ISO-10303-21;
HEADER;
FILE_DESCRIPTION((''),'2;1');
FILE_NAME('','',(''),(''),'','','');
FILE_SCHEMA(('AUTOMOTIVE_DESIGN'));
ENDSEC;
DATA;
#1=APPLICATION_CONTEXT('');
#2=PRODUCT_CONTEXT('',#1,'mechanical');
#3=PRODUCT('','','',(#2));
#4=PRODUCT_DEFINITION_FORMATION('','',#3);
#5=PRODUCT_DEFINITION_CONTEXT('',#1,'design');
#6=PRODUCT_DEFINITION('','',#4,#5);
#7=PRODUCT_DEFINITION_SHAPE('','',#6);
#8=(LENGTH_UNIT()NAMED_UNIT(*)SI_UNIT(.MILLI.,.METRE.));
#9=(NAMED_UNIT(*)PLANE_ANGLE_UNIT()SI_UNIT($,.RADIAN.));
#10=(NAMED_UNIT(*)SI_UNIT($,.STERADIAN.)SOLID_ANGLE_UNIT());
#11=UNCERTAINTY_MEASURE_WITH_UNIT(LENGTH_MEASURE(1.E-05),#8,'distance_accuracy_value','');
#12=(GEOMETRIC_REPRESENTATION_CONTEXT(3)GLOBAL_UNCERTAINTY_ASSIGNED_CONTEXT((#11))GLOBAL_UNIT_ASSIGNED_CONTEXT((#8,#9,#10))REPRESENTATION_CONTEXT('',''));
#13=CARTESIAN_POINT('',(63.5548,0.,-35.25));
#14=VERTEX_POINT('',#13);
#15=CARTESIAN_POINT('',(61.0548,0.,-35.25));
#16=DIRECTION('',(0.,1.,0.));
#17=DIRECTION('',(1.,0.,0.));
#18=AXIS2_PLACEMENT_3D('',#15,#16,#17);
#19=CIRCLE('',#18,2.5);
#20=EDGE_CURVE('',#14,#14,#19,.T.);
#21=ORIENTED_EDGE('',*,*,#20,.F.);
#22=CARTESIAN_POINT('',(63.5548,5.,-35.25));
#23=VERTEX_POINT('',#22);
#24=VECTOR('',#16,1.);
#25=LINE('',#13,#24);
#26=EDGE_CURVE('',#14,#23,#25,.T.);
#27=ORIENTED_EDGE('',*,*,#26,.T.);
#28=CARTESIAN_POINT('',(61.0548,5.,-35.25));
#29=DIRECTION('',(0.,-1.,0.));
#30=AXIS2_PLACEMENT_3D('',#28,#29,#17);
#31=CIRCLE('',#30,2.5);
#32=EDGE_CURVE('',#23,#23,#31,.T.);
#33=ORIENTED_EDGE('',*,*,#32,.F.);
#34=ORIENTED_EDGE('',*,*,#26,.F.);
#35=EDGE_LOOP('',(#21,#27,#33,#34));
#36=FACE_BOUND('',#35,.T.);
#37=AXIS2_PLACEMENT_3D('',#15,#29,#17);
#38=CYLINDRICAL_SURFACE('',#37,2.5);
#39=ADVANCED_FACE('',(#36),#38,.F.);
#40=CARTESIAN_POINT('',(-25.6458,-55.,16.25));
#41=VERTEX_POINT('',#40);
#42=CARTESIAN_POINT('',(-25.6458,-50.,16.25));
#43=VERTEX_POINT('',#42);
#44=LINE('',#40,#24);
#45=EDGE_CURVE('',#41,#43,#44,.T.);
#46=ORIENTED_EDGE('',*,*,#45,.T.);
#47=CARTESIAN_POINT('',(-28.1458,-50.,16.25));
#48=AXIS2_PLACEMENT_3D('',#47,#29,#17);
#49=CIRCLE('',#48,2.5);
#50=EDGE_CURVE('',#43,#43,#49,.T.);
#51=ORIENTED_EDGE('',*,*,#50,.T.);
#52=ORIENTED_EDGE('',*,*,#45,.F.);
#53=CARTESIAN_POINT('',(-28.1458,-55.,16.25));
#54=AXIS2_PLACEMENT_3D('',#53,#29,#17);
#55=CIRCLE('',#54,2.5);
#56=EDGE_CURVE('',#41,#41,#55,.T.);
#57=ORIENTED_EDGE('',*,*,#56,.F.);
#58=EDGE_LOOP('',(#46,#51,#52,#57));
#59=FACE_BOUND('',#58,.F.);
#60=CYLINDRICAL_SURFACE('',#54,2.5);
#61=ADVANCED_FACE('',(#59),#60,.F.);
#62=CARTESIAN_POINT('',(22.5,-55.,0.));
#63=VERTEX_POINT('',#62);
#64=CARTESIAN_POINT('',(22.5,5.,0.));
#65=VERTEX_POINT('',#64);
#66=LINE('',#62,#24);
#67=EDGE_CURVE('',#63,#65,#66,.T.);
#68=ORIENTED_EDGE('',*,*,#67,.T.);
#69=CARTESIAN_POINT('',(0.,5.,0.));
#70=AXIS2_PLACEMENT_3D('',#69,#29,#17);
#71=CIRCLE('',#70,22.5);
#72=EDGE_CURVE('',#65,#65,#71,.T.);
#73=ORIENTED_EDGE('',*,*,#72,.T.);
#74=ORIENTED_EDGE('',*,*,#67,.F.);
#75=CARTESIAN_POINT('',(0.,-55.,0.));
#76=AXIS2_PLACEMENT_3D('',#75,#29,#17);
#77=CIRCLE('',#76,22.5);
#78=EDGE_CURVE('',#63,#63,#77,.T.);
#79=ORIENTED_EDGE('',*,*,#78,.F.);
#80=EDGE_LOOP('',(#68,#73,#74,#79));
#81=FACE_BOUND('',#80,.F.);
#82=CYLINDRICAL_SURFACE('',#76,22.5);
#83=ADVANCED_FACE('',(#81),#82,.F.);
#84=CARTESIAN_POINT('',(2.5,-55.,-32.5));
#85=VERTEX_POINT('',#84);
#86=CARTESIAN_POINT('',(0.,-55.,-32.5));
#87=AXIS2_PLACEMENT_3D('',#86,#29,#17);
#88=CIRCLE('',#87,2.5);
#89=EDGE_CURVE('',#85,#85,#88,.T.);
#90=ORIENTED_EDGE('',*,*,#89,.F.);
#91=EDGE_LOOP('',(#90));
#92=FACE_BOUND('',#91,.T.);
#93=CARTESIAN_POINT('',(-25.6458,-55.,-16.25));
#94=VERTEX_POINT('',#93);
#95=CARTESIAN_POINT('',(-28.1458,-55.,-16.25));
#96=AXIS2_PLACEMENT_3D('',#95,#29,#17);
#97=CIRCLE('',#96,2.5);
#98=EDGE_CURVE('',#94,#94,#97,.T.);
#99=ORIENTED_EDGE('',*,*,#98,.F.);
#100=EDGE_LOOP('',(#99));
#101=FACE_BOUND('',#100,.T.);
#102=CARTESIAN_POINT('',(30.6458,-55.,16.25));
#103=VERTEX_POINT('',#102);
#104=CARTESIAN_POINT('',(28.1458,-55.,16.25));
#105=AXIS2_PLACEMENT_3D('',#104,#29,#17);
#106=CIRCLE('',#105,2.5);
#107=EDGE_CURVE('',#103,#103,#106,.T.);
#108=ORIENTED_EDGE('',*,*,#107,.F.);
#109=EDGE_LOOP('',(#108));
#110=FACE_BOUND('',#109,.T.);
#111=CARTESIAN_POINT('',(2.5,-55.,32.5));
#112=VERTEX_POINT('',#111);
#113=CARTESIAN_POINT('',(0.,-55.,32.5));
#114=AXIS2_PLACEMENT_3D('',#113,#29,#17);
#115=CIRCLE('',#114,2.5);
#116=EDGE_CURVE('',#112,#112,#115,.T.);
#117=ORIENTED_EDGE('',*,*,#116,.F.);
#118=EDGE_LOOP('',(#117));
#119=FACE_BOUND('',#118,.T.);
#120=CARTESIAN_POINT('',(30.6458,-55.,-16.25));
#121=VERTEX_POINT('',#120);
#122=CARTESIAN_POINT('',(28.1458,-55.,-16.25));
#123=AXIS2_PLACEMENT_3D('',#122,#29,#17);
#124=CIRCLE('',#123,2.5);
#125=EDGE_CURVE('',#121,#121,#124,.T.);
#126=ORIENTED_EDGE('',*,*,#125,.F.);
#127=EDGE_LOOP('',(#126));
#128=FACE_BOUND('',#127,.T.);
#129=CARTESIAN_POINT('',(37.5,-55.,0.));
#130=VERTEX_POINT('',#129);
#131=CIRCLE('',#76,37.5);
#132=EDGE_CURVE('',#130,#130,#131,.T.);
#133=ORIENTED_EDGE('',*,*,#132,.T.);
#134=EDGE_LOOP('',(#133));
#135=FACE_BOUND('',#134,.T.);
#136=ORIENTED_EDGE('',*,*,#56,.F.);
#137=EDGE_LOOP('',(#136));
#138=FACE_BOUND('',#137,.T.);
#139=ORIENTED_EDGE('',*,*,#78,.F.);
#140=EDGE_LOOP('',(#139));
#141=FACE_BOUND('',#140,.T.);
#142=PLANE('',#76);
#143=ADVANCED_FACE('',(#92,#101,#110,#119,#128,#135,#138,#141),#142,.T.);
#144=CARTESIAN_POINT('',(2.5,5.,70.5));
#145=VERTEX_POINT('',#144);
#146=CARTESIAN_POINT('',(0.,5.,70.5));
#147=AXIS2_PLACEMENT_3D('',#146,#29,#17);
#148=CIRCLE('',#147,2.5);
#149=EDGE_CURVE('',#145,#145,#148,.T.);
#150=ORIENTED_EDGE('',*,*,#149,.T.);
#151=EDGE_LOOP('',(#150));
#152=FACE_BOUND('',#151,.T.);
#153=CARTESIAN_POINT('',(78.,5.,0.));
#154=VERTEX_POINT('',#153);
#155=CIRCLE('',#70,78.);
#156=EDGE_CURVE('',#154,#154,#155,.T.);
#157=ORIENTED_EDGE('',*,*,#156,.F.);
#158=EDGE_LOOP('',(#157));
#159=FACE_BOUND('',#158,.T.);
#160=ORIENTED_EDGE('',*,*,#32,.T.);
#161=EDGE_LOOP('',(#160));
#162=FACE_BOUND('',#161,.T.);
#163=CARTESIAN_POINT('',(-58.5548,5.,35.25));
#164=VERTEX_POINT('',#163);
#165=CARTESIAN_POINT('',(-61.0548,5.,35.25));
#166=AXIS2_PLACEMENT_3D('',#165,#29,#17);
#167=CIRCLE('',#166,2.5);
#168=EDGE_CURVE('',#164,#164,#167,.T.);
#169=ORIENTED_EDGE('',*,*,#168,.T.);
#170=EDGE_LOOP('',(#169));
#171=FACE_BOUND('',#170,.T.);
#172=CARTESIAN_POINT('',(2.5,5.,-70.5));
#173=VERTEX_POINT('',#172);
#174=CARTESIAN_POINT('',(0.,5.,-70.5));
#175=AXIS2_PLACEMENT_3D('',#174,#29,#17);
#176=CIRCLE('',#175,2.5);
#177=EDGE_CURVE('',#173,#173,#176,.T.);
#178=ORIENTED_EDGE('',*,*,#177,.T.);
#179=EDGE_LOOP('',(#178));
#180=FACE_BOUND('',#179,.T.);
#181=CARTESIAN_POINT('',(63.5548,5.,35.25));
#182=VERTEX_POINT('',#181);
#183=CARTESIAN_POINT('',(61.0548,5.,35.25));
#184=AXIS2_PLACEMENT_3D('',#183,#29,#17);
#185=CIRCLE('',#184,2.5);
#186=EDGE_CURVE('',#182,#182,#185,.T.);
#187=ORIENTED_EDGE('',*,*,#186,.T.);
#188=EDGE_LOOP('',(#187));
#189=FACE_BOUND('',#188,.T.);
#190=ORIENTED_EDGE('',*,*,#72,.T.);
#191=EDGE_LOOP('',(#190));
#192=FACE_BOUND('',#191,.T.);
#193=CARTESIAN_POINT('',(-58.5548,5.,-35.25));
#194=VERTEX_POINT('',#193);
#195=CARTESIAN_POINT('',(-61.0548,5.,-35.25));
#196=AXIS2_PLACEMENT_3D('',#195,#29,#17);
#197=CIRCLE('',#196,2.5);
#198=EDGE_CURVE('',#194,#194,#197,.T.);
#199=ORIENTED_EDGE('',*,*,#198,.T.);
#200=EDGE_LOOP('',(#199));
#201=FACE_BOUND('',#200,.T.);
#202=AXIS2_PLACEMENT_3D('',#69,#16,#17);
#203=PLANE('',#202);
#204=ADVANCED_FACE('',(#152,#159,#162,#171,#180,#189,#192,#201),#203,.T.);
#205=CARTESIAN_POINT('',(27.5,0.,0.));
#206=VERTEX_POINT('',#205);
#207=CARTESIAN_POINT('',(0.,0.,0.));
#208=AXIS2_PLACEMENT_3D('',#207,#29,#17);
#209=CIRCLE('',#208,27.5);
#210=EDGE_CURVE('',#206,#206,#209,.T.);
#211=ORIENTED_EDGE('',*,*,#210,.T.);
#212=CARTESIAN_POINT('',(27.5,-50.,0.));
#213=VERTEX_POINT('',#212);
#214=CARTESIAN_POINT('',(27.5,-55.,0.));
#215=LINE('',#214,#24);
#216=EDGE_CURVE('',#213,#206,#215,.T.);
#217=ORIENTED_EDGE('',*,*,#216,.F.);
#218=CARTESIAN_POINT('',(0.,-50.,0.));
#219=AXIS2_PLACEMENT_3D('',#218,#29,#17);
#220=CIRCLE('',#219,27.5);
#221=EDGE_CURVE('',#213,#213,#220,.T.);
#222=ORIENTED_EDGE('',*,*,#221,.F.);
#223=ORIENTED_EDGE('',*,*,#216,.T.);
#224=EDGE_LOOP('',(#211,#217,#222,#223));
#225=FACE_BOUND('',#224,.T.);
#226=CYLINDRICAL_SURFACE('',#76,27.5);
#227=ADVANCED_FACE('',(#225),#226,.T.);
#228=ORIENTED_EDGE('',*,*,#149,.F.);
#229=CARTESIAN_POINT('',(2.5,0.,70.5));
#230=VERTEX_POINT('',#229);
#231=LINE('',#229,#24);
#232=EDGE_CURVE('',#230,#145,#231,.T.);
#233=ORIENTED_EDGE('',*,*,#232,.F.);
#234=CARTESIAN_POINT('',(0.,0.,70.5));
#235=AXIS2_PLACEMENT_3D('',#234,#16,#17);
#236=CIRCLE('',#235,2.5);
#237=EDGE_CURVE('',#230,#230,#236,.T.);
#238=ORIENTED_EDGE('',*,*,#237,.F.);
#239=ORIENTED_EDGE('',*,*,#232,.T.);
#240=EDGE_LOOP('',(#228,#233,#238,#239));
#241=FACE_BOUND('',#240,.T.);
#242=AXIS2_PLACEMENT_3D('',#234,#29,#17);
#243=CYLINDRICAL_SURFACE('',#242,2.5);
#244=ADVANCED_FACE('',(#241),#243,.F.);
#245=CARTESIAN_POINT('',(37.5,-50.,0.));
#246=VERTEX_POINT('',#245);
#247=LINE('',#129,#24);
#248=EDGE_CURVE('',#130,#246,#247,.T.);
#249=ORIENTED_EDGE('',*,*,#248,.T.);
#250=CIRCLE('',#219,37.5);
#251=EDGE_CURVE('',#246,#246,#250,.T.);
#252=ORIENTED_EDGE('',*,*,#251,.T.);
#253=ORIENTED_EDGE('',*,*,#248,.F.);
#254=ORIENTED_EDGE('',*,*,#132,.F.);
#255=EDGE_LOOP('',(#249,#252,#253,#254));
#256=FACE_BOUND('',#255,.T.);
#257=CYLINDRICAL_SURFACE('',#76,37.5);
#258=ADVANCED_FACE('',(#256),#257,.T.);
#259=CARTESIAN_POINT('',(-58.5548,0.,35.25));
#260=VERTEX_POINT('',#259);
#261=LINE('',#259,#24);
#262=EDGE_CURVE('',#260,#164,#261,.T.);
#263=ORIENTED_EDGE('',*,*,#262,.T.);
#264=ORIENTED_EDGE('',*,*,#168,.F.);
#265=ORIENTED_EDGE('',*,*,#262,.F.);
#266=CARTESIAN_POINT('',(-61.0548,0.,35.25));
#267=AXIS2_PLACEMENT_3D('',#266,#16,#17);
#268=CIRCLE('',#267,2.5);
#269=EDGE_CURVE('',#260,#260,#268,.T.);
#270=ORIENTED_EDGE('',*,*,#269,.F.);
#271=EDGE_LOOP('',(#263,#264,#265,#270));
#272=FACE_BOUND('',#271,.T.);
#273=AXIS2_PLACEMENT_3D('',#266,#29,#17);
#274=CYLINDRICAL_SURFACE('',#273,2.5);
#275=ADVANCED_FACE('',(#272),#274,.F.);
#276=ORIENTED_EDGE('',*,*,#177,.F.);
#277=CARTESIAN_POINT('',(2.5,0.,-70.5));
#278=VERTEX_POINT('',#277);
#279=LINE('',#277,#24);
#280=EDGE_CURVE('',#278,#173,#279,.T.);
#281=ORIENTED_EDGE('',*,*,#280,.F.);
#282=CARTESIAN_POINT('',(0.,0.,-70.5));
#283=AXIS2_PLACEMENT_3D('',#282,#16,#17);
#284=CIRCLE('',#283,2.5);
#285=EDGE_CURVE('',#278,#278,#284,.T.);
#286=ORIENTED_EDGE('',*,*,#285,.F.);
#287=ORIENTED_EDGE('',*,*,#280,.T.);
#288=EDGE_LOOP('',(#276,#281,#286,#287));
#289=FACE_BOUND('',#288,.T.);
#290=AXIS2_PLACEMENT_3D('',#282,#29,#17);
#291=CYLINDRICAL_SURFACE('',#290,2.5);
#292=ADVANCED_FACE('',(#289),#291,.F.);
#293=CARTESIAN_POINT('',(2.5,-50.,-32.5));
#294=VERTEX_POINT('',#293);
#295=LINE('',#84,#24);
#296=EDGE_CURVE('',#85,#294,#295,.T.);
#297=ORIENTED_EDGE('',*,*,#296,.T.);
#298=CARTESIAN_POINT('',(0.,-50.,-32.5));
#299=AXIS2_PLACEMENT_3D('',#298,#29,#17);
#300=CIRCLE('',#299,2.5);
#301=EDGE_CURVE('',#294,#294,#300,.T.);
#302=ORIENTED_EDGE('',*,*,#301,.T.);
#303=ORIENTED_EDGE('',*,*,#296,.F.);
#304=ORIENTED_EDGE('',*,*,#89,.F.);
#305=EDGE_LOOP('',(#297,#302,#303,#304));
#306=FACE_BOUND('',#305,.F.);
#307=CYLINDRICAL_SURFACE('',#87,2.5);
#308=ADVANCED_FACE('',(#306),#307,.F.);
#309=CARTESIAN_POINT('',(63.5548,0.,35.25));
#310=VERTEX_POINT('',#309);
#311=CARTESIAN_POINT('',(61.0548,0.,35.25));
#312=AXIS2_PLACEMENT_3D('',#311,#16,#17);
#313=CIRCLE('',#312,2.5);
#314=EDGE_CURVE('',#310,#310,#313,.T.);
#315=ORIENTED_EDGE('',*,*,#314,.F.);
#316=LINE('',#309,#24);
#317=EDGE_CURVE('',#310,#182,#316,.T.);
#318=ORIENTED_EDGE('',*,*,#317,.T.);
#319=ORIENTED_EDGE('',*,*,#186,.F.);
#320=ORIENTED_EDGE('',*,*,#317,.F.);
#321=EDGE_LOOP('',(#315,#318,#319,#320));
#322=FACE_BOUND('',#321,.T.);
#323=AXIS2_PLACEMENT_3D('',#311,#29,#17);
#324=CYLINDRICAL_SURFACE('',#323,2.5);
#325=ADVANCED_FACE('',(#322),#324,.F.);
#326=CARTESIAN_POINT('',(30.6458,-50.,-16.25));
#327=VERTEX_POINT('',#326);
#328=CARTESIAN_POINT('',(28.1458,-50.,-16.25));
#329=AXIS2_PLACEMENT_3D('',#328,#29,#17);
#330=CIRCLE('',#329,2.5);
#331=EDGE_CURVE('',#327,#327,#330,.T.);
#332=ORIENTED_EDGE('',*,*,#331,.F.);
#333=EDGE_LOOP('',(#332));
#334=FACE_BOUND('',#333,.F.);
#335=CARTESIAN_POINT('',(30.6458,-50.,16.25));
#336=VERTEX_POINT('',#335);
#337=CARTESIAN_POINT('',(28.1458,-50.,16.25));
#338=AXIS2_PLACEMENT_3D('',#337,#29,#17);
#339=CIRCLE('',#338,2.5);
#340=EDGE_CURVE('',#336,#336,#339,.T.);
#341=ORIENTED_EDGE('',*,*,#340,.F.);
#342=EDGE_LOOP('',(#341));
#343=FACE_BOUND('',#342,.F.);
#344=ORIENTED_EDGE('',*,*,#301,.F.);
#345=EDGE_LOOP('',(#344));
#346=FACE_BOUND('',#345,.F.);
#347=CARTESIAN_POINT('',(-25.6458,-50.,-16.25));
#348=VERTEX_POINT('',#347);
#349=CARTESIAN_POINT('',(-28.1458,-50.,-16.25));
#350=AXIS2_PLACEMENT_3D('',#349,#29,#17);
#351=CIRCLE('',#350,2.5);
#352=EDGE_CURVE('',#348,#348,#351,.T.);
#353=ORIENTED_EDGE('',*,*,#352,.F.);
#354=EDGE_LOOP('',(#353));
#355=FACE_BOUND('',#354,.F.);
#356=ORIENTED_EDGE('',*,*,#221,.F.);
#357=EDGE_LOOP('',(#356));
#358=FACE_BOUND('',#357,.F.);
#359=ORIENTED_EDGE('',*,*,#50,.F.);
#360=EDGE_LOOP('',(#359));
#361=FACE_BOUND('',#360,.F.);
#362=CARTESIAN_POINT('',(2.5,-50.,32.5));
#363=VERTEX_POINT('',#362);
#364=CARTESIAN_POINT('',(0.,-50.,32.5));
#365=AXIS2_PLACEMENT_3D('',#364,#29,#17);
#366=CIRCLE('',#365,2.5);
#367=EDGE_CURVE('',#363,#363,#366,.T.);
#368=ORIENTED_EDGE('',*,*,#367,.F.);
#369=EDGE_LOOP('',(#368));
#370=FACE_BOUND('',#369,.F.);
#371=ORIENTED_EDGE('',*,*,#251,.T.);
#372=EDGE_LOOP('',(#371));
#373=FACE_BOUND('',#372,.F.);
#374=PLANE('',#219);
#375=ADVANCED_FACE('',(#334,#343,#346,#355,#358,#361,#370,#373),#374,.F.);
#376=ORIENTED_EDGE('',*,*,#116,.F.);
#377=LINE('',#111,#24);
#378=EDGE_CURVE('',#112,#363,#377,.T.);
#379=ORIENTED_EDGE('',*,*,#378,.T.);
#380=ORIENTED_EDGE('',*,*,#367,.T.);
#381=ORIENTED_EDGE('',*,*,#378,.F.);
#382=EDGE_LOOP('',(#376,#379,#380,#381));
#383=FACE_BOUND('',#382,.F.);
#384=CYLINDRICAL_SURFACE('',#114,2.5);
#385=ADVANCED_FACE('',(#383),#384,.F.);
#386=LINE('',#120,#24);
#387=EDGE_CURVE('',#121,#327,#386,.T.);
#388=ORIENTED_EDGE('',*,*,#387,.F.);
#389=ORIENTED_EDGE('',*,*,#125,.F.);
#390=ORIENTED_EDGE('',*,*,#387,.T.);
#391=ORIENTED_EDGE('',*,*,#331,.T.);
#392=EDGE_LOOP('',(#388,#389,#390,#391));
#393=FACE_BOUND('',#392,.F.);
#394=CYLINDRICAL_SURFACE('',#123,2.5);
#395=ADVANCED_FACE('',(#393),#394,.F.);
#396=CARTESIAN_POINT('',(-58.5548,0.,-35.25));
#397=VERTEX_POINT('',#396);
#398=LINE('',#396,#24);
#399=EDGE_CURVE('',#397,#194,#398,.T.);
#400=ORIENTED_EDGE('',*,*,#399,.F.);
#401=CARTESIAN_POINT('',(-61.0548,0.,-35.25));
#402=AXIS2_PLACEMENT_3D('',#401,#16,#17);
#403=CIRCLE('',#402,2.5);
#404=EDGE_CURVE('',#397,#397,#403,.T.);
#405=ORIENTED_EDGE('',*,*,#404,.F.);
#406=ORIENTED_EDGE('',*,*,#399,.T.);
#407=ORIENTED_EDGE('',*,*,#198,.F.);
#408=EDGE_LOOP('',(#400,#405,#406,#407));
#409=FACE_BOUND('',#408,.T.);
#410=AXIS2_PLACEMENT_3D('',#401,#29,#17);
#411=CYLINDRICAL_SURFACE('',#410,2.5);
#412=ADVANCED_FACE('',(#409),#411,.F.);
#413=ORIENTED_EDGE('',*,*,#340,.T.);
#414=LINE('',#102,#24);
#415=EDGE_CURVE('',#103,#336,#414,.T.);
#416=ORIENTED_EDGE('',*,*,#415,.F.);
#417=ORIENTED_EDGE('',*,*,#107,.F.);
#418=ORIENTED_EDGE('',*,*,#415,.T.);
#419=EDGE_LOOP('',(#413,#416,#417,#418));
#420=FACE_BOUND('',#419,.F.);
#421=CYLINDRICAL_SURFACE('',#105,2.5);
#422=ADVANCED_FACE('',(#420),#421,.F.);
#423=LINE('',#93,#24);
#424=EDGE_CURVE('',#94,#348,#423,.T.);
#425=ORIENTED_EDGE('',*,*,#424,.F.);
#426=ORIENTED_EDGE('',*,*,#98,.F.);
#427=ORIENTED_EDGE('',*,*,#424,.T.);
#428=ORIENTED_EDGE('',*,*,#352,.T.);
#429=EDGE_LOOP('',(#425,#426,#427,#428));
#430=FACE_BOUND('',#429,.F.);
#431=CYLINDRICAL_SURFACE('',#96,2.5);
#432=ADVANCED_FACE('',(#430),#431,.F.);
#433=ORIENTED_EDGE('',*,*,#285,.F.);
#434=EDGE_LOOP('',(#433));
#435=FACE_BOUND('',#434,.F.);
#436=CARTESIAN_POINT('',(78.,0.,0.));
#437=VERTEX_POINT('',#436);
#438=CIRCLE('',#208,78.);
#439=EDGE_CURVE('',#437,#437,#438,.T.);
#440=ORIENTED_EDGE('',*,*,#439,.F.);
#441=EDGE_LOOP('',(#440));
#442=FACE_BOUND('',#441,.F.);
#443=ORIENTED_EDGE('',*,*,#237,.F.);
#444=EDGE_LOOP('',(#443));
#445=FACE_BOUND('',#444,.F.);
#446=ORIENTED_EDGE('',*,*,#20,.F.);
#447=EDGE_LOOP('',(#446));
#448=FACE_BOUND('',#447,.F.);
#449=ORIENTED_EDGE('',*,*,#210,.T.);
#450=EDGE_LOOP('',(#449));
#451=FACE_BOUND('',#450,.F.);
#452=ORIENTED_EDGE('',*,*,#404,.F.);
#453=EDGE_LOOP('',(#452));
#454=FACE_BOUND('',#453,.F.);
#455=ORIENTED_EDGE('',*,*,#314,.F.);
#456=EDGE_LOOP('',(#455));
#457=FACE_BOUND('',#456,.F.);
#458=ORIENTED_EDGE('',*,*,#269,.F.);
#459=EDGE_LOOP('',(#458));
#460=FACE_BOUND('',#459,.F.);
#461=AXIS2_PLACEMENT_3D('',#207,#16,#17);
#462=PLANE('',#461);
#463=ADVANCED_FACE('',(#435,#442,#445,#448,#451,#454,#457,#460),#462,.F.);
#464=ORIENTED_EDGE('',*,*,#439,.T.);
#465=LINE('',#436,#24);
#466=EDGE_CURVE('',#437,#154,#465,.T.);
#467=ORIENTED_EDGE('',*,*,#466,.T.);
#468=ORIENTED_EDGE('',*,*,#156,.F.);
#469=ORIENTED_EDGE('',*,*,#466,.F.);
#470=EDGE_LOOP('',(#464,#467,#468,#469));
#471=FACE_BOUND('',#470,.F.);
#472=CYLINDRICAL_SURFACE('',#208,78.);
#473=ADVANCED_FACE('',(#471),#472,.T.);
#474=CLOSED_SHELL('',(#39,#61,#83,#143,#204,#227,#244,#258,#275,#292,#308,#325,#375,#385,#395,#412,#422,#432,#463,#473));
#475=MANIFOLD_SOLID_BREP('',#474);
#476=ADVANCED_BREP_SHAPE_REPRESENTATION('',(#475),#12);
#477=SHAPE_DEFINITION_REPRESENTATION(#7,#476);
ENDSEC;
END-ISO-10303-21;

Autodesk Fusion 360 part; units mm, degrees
sketch "Sketch1" plane through (0, 0, 0) normal (0, 1, 0) x (1, 0, 0)
  circle A0 centre (0, 0) radius 63
  circle A1 centre (0, 0) radius 78
  circle A2 centre (0, 0) radius 22.5
  circle A3 centre (0, -70.5) radius 2.5
  circle A4 centre (61.0548, -35.25) radius 2.5
  circle A5 centre (61.0548, 35.25) radius 2.5
  circle A6 centre (0, 70.5) radius 2.5
  circle A7 centre (-61.0548, 35.25) radius 2.5
  circle A8 centre (-61.0548, -35.25) radius 2.5
  dimension "d1" = 126
  dimension "d2" = 15
  dimension "d3" = 45
  dimension "d14" = 5
  dimension "d15" = 70.5
  dimension "d17" = 360
extrude "Extrude1" add sketch "Sketch1" along normal blind 5 contours A1 | A3 | A4 | A5 | A6 | A7 | A8 makes body 1
move_face "OffsetFaces1" offset 65 1 faces at (62.9217, 3.3333, 3.1403) on bodies 1
extrude "Extrude2" add sketch "Sketch1" against normal blind 55 contours A2 bodies 1
sketch "Sketch3" plane through (0, -55, 0) normal (0, -1, 0) x (1, 0, 0)
  circle A0 centre (0, 0) radius 22.5
  circle A1 centre (0, 0) radius 37.5
  circle A2 centre (0, 32.5) radius 2.5
  circle A3 centre (-28.1458, 16.25) radius 2.5
  circle A4 centre (-28.1458, -16.25) radius 2.5
  circle A5 centre (0, -32.5) radius 2.5
  circle A6 centre (28.1458, -16.25) radius 2.5
  circle A7 centre (28.1458, 16.25) radius 2.5
  circle A8 centre (0, 0) radius 27.5
  dimension "d11" = 75
  dimension "d18" = 5
  dimension "d19" = 32.5
  dimension "d21" = 360
  dimension "d26" = 55
extrude "Extrude3" add sketch "Sketch3" against normal blind 5 contours A1 | A2 | A3 | A4 | A5 | A6 | A7 | A8 bodies 1
extrude "Extrude4" cut sketch "Sketch1" along normal blind 10 contours A3 | A4 | A5 | A6 | A7 | A8 bodies 1
extrude "Extrude5" cut sketch "Sketch3" against normal blind 10 contours A2 | A3 | A4 | A5 | A6 | A7 bodies 1
extrude "Extrude6" cut sketch "Sketch3" against normal blind 60 contours A0 bodies 1 makes body 2 at (40.4178, 0, -38.0861)
extrude "Extrude7" add sketch "Sketch3" against normal blind 60 contours A8 bodies 1 2
